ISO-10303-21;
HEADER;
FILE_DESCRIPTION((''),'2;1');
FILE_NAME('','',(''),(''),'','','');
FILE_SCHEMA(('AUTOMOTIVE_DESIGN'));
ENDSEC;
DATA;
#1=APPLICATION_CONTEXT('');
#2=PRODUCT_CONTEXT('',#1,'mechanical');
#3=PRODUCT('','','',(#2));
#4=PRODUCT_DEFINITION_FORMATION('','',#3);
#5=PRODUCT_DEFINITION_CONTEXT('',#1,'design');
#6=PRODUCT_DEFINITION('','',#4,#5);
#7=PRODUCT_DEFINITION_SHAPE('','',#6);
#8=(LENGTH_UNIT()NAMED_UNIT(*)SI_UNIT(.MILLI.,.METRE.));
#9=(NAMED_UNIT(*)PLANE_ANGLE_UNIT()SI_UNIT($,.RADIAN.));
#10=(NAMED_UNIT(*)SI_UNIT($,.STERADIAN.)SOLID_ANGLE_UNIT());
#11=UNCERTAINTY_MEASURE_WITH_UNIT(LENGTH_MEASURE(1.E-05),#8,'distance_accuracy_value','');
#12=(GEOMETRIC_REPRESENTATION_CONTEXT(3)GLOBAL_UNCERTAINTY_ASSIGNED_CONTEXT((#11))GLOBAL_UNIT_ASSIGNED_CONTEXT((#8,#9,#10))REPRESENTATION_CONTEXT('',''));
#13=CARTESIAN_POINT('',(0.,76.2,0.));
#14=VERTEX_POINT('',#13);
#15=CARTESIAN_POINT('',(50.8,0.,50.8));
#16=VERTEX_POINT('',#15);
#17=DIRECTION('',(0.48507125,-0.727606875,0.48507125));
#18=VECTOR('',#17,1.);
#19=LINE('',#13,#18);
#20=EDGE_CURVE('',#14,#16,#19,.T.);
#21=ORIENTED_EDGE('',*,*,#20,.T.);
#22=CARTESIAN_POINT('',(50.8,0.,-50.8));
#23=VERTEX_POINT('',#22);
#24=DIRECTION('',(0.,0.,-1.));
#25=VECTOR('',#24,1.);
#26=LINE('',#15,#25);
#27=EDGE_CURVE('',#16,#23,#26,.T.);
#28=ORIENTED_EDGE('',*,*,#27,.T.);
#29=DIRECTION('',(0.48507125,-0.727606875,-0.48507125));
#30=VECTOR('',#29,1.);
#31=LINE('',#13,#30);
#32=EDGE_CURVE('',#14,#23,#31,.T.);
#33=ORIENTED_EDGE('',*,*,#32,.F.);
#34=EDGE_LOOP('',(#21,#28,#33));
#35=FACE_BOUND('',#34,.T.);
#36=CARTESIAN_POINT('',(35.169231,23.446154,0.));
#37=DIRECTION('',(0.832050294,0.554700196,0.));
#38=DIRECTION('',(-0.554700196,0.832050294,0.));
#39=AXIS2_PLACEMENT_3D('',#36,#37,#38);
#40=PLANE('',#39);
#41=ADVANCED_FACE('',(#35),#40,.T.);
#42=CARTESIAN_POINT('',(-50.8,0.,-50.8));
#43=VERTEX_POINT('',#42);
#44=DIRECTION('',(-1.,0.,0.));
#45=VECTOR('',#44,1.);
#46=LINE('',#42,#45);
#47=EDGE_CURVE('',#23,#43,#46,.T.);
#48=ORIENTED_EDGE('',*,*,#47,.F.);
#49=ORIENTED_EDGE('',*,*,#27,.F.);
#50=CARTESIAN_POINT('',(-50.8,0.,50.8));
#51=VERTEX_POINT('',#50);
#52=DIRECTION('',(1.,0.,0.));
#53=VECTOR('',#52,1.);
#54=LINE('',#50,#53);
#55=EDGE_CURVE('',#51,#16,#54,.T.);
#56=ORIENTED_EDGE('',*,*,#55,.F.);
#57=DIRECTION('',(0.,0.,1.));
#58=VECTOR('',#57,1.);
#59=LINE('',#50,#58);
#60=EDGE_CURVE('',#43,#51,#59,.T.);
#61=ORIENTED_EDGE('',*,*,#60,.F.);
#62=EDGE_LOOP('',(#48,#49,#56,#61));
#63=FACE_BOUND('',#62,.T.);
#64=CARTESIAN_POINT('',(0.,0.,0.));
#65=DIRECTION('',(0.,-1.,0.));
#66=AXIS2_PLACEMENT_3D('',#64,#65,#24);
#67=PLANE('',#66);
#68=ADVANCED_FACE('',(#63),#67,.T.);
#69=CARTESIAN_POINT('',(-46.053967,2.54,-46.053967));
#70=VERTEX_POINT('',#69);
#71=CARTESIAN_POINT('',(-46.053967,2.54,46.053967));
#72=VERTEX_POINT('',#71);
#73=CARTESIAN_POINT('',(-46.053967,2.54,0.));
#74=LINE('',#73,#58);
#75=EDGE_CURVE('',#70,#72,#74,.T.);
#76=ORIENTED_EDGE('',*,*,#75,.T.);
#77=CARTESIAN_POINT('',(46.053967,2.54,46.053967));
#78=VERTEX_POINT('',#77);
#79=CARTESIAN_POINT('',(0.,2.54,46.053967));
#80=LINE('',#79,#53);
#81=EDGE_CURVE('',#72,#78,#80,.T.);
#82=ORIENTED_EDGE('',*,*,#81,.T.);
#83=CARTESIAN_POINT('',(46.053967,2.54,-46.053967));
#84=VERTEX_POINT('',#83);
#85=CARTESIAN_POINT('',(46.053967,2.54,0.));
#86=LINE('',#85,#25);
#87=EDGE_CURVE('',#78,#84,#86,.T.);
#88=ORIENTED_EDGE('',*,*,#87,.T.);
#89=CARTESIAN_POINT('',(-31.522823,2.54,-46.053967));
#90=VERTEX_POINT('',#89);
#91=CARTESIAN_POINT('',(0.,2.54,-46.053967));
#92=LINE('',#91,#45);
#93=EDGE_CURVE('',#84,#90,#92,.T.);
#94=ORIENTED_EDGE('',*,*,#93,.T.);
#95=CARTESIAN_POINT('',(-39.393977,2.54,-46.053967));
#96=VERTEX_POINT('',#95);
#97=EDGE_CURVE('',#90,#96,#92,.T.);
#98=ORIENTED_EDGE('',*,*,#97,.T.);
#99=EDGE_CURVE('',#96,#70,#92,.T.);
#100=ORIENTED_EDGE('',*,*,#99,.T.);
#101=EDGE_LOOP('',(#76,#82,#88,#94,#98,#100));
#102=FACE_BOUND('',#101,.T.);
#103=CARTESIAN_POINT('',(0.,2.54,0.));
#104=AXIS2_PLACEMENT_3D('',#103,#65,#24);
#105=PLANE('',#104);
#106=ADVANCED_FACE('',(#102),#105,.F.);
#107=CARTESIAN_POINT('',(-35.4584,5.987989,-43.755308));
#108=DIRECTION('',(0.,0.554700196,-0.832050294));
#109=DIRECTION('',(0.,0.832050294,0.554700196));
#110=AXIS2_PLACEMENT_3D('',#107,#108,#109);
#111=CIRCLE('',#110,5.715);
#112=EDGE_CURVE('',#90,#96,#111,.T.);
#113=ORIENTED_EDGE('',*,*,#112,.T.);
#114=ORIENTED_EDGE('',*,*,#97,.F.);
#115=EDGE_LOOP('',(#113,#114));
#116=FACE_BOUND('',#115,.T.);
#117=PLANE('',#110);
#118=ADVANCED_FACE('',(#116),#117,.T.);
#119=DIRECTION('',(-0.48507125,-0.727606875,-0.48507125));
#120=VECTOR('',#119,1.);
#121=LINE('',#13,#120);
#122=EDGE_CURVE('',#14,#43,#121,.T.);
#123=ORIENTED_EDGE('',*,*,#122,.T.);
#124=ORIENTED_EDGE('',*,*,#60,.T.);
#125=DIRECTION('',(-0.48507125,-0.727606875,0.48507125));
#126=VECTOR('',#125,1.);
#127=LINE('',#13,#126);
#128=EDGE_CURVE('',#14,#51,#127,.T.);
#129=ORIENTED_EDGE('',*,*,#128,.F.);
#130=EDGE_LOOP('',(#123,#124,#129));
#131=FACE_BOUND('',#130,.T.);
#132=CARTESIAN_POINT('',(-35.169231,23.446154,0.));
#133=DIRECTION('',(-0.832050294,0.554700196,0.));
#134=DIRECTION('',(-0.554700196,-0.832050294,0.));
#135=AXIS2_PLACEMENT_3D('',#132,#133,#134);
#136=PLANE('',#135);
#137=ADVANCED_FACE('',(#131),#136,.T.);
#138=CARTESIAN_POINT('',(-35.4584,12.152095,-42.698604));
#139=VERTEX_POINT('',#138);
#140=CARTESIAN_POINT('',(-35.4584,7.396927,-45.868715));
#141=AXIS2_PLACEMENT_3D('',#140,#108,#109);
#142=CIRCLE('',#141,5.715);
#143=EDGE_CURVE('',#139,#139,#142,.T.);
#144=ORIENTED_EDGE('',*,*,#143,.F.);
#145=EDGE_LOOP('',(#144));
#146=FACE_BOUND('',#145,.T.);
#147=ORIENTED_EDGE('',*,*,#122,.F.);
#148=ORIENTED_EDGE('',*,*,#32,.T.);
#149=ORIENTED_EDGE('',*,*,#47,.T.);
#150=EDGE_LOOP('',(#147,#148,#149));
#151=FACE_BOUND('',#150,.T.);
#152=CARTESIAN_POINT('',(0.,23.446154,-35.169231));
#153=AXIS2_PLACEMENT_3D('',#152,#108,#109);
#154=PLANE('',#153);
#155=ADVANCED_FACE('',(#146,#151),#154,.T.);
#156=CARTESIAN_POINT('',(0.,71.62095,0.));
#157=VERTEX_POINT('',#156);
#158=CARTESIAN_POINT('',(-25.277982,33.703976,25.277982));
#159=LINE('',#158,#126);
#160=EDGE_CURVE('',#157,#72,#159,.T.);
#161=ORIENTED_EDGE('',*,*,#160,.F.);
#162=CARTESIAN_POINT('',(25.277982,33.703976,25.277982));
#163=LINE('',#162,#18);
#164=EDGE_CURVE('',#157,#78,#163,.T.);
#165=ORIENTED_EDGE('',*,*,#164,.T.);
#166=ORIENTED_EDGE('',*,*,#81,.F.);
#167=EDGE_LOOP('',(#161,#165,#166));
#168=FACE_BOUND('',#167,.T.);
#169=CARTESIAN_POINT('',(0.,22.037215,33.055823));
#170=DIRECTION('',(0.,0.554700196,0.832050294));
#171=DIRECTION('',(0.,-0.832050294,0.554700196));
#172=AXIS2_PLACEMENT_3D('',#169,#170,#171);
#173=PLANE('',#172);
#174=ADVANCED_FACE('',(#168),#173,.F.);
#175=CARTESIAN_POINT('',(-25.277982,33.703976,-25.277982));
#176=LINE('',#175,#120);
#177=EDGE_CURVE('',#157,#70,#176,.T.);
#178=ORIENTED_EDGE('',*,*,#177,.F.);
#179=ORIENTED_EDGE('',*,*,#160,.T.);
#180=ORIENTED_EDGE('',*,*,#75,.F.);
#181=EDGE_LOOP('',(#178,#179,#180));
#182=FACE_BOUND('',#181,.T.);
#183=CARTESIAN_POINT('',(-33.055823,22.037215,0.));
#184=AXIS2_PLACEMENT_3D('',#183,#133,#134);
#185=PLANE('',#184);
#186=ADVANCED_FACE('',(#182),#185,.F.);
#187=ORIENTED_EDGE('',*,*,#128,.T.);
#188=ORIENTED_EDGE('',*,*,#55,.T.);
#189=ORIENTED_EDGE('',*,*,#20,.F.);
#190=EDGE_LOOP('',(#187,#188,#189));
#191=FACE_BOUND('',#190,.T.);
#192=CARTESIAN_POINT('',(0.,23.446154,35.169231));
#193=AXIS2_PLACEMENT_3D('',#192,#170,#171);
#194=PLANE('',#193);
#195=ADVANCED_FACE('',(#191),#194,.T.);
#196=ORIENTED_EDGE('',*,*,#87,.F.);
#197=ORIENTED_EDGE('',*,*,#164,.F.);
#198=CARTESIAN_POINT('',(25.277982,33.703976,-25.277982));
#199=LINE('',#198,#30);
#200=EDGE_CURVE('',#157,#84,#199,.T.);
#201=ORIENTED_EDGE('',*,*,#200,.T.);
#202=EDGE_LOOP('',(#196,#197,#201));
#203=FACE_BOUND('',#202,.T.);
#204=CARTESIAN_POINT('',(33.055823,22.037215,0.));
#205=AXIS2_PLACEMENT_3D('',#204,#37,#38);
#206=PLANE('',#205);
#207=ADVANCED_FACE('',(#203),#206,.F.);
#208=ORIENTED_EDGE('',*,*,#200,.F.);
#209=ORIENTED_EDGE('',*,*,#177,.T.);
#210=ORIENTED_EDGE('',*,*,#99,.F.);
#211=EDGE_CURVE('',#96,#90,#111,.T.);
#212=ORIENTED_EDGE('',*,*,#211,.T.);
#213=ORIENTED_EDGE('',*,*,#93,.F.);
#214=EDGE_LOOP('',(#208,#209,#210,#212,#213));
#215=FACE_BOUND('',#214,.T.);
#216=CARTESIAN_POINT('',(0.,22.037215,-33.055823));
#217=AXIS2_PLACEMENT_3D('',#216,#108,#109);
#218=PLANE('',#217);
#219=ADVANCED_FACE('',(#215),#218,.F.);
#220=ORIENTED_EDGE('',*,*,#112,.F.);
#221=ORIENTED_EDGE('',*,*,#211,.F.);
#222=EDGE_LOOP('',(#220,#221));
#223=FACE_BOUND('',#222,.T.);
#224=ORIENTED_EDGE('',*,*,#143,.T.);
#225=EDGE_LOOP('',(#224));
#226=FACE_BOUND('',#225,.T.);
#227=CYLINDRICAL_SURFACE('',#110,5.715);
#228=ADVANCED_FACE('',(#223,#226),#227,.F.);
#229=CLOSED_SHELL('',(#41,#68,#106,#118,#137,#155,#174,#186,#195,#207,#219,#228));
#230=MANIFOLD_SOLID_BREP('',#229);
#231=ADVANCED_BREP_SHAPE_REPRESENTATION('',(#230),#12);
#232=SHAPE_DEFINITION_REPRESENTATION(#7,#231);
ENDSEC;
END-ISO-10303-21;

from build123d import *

# Parameters (mm, degrees)
SHELL2_T            = -2.54
SKETCH8_W           = 95.49459984
SKETCH8_H           = 95.49459984
BOSS_EXTRUDE1_DEPTH = 2.54
SKETCH9_R           = 5.715
CUT_EXTRUDE1_DEPTH  = 2.54


with BuildPart() as part:
    # Sketch3 → Loft1 section 0
    with BuildSketch(Plane(origin=(0, 0, 0), x_dir=(1, 0, 0), z_dir=(0, 1, 0)), mode=Mode.PRIVATE) as loft1_s0:
        with BuildLine():
            Line((-50.8, -50.8), (50.8, -50.8))
            Line((50.8, -50.8), (50.8, 50.8))
            Line((50.8, 50.8), (-50.8, 50.8))
            Line((-50.8, 50.8), (-50.8, -50.8))
        make_face()
    loft([Vertex(0, 76.2, 0), loft1_s0.sketch])

    # Shell2
    shell2_openings = [part.faces().sort_by_distance(p)[0] for p in [
        (0, 0, 0),
    ]]
    offset(amount=SHELL2_T, openings=shell2_openings, kind=Kind.INTERSECTION)

    # Sketch8 → Boss-Extrude1 (add)
    with BuildSketch(Plane.XZ):
        Rectangle(SKETCH8_W, SKETCH8_H)
    extrude(amount=-BOSS_EXTRUDE1_DEPTH)

    # Sketch9 → Cut-Extrude1 (cut)
    with BuildSketch(Plane(origin=(0, 23.446153846, -35.169230769), x_dir=(-1, 0, 0), z_dir=(0, 0.5547001962252291, -0.8320502943378436))):
        with Locations((35.4584, -19.288769968)):
            Circle(SKETCH9_R)
    extrude(amount=-CUT_EXTRUDE1_DEPTH, mode=Mode.SUBTRACT)


solid = part.part
